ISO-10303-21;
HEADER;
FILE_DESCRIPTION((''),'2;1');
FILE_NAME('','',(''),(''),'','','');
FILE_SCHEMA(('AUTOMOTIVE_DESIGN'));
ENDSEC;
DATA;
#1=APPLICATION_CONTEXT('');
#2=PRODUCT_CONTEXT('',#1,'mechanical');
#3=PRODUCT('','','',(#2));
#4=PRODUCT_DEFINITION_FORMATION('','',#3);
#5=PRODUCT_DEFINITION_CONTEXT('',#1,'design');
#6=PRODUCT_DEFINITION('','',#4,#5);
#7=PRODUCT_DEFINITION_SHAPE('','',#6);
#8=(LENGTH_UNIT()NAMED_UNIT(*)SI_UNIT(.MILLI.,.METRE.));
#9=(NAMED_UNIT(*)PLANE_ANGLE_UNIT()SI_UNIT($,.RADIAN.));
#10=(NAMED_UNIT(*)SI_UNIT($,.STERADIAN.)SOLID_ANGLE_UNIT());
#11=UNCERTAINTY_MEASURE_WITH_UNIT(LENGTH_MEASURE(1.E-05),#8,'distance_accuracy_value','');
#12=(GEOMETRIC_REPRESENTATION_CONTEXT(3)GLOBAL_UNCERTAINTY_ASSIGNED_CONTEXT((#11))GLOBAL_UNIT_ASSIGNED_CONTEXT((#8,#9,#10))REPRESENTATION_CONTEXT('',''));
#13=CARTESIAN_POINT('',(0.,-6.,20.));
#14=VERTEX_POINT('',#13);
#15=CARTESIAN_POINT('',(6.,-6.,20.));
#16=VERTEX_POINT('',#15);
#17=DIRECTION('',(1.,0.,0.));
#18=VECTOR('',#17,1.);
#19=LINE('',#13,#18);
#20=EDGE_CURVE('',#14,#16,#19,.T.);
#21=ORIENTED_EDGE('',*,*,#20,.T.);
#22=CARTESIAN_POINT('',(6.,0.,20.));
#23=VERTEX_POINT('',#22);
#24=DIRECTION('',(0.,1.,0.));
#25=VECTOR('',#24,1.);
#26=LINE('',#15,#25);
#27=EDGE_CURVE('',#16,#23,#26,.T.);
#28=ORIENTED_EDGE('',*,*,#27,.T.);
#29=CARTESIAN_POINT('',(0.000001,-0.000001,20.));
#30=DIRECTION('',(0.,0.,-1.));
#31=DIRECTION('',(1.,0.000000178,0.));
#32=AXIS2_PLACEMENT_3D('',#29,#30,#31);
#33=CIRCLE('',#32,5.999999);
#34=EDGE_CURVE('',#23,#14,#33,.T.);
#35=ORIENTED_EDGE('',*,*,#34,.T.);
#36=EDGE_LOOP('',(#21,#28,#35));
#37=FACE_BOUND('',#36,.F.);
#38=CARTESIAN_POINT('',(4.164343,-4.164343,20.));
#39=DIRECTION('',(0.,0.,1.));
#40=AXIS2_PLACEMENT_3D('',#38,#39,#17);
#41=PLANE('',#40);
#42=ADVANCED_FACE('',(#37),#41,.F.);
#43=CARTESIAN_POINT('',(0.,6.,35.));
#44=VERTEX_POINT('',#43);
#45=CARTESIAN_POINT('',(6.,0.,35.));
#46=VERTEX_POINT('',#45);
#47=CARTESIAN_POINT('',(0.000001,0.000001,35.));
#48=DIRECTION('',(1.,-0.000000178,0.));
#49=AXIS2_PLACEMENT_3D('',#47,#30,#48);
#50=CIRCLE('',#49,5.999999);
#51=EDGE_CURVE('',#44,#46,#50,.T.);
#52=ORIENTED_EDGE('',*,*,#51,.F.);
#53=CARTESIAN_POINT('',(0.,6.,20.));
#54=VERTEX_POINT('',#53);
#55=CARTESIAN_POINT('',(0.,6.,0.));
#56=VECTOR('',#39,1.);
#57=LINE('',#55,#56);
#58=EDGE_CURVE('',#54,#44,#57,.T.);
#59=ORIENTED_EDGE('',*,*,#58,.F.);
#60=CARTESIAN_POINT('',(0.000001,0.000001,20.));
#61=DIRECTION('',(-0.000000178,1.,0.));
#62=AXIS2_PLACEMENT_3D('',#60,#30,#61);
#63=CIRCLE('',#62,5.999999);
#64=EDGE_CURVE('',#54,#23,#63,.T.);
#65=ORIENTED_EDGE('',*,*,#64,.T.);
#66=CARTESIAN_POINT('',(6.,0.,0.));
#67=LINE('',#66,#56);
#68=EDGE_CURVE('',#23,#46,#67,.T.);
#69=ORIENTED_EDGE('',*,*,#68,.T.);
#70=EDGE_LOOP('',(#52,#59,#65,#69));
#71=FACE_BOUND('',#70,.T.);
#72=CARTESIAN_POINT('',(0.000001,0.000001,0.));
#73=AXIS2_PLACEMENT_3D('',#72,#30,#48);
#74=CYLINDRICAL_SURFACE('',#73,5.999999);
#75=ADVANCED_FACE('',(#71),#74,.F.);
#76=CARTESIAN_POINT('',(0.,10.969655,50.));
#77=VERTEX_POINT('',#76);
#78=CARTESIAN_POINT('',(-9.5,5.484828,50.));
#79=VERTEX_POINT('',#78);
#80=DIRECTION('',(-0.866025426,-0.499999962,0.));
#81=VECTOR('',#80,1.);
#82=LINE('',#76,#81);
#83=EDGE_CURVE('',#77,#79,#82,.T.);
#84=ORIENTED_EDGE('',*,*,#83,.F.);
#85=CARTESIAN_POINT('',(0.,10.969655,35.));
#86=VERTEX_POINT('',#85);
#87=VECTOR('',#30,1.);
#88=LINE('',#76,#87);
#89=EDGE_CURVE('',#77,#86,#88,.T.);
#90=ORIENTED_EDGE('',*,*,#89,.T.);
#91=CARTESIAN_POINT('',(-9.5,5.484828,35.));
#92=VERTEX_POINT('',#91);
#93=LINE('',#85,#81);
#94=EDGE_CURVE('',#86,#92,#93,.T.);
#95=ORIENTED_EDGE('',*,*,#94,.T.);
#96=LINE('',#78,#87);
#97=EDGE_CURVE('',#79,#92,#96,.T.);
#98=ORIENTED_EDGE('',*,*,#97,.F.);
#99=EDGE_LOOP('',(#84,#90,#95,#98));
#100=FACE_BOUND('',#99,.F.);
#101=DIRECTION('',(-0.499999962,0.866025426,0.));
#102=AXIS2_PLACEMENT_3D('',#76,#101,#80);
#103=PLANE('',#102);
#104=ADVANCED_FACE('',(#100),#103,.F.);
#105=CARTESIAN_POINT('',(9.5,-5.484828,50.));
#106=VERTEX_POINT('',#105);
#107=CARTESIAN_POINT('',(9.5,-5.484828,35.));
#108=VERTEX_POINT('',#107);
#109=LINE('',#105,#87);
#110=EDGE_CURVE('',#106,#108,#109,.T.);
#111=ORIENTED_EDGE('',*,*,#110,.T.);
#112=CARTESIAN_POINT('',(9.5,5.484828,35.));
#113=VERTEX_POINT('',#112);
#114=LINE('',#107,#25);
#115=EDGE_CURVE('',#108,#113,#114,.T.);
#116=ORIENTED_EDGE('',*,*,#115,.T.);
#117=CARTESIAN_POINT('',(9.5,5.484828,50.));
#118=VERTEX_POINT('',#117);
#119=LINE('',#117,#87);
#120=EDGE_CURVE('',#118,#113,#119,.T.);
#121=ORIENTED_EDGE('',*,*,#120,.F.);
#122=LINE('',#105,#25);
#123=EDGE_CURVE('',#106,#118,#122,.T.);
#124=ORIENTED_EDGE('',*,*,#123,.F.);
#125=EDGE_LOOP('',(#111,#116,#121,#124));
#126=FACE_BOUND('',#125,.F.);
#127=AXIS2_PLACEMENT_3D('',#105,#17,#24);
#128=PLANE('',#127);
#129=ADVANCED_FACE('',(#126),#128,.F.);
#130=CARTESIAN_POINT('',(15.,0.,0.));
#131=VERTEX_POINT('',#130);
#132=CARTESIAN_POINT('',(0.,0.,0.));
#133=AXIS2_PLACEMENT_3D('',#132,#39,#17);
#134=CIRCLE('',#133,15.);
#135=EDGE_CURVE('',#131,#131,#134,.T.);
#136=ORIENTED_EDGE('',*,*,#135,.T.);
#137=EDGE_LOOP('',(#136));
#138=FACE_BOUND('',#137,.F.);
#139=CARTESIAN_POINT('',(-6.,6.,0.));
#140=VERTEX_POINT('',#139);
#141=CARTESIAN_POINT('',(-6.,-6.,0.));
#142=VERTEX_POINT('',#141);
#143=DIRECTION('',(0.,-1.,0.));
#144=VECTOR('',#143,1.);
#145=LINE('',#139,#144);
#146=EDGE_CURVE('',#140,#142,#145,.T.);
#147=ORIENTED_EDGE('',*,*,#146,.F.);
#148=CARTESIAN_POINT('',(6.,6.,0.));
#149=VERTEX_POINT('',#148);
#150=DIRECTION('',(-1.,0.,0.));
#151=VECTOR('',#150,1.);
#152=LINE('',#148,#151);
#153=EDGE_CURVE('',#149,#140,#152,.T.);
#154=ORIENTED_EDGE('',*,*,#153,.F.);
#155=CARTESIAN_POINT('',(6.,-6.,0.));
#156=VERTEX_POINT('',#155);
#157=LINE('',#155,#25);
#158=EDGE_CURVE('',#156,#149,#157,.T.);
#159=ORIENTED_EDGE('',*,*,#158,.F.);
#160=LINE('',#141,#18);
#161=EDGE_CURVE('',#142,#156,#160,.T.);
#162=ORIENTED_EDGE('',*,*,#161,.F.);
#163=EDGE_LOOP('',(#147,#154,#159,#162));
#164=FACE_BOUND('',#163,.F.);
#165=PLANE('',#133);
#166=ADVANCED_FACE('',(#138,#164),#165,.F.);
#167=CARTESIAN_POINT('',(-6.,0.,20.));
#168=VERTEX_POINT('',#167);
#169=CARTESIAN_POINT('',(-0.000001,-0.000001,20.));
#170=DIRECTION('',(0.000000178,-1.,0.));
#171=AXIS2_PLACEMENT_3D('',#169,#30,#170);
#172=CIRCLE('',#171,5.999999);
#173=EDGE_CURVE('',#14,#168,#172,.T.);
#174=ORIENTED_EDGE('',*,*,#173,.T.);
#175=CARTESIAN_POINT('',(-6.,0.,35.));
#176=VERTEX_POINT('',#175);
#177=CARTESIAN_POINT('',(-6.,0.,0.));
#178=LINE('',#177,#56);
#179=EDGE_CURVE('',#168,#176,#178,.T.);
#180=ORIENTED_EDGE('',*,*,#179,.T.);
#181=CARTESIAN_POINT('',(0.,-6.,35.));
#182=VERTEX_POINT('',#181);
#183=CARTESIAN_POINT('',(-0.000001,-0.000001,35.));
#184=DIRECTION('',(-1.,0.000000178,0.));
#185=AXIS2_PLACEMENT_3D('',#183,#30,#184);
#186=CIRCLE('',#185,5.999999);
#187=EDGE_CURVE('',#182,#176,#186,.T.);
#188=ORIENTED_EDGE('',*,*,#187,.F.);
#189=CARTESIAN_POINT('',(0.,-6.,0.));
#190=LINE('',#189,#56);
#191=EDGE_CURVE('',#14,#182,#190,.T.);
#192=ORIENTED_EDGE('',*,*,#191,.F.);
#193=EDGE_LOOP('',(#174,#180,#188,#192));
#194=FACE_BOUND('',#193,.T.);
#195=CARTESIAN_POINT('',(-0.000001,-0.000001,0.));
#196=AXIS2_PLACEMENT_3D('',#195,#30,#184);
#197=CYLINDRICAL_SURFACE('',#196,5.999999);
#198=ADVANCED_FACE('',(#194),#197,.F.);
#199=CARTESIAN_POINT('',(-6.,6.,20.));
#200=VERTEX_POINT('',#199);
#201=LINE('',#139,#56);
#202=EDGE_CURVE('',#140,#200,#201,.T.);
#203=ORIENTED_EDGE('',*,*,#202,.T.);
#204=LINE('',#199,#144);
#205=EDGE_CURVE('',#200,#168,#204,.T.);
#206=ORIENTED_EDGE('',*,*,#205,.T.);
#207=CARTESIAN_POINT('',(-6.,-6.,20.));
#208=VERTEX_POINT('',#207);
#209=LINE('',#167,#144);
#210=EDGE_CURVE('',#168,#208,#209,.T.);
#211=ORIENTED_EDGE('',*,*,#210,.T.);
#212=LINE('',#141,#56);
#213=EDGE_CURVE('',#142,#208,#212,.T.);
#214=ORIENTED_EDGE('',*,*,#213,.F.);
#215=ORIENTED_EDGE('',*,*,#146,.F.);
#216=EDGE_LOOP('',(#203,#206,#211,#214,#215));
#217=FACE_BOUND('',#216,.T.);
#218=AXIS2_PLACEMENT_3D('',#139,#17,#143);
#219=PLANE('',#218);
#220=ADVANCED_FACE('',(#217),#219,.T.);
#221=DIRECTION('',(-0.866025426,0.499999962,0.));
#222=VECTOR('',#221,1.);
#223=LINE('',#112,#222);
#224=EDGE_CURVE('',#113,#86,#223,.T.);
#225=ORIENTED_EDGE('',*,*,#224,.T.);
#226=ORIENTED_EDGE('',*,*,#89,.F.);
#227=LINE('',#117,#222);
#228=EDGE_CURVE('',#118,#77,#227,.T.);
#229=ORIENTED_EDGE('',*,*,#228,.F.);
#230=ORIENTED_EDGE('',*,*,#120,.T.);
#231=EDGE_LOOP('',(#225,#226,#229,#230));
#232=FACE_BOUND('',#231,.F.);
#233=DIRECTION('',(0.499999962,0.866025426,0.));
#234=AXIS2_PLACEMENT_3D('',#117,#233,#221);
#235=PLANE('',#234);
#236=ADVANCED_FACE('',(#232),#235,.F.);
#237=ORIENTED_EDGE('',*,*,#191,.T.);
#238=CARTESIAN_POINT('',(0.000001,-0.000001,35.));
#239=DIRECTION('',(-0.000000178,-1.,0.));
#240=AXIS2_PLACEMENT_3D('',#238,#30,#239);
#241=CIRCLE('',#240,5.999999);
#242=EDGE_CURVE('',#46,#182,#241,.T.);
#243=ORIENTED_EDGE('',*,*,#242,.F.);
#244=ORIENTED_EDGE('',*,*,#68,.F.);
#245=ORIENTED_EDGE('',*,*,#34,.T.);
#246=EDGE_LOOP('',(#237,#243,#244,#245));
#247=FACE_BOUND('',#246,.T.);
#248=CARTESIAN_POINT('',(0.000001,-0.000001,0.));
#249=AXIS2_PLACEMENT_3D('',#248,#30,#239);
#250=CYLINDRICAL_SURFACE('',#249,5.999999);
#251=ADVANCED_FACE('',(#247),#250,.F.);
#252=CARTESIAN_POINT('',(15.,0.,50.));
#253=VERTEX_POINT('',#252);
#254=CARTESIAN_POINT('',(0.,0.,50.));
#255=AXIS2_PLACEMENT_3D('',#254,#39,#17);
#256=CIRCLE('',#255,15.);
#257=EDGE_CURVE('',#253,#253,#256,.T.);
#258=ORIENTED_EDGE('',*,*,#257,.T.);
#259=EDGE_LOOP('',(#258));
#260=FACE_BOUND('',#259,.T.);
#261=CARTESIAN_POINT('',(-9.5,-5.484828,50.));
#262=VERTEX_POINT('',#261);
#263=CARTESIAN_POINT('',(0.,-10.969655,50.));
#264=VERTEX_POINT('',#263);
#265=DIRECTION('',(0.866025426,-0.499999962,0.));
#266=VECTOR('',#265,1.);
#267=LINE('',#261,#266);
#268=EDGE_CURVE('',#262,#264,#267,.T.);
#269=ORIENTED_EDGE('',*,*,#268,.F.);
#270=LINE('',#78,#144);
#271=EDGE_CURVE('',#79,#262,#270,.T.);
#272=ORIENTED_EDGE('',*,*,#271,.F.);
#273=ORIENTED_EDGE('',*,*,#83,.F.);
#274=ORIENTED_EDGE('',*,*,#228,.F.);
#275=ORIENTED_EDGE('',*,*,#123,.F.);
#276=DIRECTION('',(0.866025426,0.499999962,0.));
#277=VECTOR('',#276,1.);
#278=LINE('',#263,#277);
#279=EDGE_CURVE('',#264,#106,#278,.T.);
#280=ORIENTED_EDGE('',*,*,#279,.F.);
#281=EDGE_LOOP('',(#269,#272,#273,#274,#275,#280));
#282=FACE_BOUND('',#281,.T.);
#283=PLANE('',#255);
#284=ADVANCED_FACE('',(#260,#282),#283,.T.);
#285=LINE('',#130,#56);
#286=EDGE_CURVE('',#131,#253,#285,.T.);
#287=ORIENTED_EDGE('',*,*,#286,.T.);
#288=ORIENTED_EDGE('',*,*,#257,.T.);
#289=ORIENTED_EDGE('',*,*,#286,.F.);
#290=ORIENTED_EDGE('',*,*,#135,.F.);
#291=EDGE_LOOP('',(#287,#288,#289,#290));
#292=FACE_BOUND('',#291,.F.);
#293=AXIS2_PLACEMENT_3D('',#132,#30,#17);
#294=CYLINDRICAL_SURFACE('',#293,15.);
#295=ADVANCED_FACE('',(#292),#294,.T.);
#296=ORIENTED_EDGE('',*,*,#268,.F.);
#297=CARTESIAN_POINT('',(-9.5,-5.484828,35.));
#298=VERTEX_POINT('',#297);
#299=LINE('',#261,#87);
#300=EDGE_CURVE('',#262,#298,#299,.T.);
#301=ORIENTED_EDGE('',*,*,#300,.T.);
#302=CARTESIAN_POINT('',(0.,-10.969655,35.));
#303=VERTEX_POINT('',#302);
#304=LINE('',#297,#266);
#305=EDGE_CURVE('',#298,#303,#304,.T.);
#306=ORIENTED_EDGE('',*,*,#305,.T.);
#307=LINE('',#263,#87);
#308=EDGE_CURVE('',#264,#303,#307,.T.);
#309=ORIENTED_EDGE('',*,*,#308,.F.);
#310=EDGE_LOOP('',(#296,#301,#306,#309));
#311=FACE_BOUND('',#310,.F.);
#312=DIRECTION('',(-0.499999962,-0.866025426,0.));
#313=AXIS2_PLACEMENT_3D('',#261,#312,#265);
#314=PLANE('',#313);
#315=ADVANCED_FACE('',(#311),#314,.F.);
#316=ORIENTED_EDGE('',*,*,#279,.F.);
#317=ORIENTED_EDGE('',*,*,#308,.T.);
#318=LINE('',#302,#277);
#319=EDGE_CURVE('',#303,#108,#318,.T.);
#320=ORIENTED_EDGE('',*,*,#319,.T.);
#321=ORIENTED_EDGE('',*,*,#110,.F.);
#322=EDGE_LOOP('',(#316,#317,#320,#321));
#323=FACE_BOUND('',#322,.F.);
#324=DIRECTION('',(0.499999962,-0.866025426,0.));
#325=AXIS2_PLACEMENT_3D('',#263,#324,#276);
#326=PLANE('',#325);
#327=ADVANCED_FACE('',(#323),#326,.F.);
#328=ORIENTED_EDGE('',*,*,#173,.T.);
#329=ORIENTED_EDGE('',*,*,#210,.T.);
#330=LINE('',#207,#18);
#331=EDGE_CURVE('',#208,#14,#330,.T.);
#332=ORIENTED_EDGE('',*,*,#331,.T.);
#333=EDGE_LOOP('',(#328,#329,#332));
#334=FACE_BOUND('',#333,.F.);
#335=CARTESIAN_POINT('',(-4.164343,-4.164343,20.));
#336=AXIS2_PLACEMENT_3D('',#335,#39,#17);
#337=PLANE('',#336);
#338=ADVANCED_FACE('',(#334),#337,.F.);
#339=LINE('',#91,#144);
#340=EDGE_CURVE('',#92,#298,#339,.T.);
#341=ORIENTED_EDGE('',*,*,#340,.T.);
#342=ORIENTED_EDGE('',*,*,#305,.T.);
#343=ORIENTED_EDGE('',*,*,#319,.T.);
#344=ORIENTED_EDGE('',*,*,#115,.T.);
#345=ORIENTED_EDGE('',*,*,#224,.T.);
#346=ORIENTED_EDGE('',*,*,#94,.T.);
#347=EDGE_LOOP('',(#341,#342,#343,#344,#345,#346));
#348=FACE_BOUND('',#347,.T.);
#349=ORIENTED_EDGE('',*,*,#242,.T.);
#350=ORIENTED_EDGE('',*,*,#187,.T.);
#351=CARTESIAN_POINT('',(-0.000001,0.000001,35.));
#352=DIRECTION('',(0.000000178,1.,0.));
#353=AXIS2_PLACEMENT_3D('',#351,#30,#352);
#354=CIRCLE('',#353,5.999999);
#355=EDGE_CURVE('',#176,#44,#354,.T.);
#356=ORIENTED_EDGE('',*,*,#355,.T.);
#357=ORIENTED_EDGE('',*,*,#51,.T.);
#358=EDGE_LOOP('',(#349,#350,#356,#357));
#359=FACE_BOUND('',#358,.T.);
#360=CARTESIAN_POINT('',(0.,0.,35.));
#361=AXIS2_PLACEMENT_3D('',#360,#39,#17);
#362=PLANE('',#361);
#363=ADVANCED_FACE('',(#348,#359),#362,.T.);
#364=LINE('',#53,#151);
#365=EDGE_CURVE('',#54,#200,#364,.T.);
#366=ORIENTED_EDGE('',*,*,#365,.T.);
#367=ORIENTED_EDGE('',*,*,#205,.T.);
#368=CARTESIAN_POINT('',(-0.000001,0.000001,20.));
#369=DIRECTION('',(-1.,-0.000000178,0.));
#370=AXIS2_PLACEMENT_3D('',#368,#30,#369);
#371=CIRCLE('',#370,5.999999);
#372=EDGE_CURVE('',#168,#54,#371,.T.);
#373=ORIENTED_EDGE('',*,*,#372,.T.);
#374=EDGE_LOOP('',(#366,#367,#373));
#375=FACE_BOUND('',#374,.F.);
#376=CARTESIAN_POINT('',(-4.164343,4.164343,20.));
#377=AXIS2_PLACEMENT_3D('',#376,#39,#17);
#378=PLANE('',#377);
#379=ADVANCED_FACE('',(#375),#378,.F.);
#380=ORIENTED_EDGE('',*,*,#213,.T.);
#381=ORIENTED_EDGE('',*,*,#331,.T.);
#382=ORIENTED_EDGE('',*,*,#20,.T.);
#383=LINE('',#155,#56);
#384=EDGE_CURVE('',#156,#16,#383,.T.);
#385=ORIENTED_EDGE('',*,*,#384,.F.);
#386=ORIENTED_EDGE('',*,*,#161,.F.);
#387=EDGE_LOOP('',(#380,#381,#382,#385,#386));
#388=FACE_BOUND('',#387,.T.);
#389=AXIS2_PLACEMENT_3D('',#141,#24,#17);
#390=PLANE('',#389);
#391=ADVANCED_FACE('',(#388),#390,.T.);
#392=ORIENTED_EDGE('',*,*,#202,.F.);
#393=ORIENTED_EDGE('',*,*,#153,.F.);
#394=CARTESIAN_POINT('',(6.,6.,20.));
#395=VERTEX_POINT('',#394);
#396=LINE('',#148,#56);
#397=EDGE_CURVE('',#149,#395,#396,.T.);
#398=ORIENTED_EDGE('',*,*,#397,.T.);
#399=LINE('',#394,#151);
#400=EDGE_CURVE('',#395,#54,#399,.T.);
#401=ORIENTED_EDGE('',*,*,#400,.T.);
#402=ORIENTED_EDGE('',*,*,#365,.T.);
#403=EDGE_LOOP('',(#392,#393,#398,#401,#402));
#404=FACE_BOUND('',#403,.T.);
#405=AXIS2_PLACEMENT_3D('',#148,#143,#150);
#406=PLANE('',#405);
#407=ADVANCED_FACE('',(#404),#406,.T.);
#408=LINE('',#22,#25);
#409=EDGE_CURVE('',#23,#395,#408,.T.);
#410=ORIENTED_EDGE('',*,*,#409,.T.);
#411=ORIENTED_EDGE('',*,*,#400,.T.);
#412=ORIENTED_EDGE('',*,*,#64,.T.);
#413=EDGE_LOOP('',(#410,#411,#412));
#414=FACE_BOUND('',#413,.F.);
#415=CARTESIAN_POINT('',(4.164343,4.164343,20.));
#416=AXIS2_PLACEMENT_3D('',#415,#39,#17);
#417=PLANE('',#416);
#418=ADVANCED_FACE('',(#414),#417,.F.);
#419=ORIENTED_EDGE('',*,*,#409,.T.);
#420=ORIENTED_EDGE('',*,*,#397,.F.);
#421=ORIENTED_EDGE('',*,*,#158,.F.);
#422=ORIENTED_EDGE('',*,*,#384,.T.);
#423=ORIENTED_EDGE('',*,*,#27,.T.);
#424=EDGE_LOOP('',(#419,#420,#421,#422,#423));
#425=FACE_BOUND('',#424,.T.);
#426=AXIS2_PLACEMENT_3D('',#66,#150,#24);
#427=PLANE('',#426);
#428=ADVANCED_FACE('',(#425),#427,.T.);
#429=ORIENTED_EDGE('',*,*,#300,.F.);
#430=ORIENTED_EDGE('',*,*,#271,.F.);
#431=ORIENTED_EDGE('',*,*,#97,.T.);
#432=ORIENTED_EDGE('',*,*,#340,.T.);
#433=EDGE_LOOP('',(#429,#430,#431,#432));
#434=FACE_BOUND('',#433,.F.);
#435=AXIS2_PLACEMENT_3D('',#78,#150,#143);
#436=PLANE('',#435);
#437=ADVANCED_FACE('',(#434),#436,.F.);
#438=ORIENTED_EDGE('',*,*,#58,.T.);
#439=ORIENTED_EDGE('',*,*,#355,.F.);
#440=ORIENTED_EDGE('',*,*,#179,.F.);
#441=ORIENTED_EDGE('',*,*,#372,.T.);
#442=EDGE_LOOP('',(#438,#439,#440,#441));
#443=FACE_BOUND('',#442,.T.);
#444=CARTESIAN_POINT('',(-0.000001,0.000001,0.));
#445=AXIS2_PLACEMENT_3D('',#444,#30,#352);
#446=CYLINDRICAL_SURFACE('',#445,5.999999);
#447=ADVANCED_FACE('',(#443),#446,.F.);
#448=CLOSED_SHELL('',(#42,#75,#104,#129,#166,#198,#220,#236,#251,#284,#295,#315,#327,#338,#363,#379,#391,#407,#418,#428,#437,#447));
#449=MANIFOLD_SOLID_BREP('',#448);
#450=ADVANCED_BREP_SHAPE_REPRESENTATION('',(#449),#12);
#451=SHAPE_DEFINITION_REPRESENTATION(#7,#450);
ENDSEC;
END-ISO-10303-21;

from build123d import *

# Parameters (mm, degrees)
F0_R     = 15
F1_DEPTH = 50
F3_DEPTH = 50.001
F4_DEPTH = 20
F6_DEPTH = 15


with BuildPart() as f1:
    # F0 (on Top) → F1 (new body)
    with BuildSketch(Plane.XY):
        Circle(F0_R)
    extrude(amount=F1_DEPTH)

    # F2 (on Top) → F3 (cut, through all)
    with BuildSketch(Plane.XY):
        with BuildLine():
            ThreePointArc((6, 0), (4.242641, 4.242641), (0, 6))
            ThreePointArc((0, 6), (-4.242641, 4.242641), (-6, 0))
            ThreePointArc((-6, 0), (-4.242641, -4.242641), (0, -6))
            ThreePointArc((0, -6), (4.242641, -4.242641), (6, 0))
        make_face()
    extrude(amount=F3_DEPTH, mode=Mode.SUBTRACT)

    # F2 (on Top) → F4 (cut)
    with BuildSketch(Plane.XY):
        with BuildLine():
            Line((6, 0), (6, 6))
            Line((6, 6), (0, 6))
            ThreePointArc((0, 6), (4.242641, 4.242641), (6, 0))
        make_face()
        with BuildLine():
            ThreePointArc((-6, 0), (-4.242641, 4.242641), (0, 6))
            Line((0, 6), (-6, 6))
            Line((-6, 6), (-6, 0))
        make_face()
        with BuildLine():
            Line((6, -6), (6, 0))
            ThreePointArc((6, 0), (4.242641, -4.242641), (0, -6))
            Line((0, -6), (6, -6))
        make_face()
        with BuildLine():
            ThreePointArc((0, -6), (-4.242641, -4.242641), (-6, 0))
            Line((-6, 0), (-6, -6))
            Line((-6, -6), (0, -6))
        make_face()
    extrude(amount=F4_DEPTH, mode=Mode.SUBTRACT)

    # F5 (on face) → F6 (cut)
    with BuildSketch(Plane.XY.offset(50)):
        Polygon((9.5, 5.484828), (0, 10.969655), (-9.5, 5.484828), (-9.5, -5.484828), (0, -10.969655), (9.5, -5.484828), align=None)
    extrude(amount=-F6_DEPTH, mode=Mode.SUBTRACT)


solid = f1.part
